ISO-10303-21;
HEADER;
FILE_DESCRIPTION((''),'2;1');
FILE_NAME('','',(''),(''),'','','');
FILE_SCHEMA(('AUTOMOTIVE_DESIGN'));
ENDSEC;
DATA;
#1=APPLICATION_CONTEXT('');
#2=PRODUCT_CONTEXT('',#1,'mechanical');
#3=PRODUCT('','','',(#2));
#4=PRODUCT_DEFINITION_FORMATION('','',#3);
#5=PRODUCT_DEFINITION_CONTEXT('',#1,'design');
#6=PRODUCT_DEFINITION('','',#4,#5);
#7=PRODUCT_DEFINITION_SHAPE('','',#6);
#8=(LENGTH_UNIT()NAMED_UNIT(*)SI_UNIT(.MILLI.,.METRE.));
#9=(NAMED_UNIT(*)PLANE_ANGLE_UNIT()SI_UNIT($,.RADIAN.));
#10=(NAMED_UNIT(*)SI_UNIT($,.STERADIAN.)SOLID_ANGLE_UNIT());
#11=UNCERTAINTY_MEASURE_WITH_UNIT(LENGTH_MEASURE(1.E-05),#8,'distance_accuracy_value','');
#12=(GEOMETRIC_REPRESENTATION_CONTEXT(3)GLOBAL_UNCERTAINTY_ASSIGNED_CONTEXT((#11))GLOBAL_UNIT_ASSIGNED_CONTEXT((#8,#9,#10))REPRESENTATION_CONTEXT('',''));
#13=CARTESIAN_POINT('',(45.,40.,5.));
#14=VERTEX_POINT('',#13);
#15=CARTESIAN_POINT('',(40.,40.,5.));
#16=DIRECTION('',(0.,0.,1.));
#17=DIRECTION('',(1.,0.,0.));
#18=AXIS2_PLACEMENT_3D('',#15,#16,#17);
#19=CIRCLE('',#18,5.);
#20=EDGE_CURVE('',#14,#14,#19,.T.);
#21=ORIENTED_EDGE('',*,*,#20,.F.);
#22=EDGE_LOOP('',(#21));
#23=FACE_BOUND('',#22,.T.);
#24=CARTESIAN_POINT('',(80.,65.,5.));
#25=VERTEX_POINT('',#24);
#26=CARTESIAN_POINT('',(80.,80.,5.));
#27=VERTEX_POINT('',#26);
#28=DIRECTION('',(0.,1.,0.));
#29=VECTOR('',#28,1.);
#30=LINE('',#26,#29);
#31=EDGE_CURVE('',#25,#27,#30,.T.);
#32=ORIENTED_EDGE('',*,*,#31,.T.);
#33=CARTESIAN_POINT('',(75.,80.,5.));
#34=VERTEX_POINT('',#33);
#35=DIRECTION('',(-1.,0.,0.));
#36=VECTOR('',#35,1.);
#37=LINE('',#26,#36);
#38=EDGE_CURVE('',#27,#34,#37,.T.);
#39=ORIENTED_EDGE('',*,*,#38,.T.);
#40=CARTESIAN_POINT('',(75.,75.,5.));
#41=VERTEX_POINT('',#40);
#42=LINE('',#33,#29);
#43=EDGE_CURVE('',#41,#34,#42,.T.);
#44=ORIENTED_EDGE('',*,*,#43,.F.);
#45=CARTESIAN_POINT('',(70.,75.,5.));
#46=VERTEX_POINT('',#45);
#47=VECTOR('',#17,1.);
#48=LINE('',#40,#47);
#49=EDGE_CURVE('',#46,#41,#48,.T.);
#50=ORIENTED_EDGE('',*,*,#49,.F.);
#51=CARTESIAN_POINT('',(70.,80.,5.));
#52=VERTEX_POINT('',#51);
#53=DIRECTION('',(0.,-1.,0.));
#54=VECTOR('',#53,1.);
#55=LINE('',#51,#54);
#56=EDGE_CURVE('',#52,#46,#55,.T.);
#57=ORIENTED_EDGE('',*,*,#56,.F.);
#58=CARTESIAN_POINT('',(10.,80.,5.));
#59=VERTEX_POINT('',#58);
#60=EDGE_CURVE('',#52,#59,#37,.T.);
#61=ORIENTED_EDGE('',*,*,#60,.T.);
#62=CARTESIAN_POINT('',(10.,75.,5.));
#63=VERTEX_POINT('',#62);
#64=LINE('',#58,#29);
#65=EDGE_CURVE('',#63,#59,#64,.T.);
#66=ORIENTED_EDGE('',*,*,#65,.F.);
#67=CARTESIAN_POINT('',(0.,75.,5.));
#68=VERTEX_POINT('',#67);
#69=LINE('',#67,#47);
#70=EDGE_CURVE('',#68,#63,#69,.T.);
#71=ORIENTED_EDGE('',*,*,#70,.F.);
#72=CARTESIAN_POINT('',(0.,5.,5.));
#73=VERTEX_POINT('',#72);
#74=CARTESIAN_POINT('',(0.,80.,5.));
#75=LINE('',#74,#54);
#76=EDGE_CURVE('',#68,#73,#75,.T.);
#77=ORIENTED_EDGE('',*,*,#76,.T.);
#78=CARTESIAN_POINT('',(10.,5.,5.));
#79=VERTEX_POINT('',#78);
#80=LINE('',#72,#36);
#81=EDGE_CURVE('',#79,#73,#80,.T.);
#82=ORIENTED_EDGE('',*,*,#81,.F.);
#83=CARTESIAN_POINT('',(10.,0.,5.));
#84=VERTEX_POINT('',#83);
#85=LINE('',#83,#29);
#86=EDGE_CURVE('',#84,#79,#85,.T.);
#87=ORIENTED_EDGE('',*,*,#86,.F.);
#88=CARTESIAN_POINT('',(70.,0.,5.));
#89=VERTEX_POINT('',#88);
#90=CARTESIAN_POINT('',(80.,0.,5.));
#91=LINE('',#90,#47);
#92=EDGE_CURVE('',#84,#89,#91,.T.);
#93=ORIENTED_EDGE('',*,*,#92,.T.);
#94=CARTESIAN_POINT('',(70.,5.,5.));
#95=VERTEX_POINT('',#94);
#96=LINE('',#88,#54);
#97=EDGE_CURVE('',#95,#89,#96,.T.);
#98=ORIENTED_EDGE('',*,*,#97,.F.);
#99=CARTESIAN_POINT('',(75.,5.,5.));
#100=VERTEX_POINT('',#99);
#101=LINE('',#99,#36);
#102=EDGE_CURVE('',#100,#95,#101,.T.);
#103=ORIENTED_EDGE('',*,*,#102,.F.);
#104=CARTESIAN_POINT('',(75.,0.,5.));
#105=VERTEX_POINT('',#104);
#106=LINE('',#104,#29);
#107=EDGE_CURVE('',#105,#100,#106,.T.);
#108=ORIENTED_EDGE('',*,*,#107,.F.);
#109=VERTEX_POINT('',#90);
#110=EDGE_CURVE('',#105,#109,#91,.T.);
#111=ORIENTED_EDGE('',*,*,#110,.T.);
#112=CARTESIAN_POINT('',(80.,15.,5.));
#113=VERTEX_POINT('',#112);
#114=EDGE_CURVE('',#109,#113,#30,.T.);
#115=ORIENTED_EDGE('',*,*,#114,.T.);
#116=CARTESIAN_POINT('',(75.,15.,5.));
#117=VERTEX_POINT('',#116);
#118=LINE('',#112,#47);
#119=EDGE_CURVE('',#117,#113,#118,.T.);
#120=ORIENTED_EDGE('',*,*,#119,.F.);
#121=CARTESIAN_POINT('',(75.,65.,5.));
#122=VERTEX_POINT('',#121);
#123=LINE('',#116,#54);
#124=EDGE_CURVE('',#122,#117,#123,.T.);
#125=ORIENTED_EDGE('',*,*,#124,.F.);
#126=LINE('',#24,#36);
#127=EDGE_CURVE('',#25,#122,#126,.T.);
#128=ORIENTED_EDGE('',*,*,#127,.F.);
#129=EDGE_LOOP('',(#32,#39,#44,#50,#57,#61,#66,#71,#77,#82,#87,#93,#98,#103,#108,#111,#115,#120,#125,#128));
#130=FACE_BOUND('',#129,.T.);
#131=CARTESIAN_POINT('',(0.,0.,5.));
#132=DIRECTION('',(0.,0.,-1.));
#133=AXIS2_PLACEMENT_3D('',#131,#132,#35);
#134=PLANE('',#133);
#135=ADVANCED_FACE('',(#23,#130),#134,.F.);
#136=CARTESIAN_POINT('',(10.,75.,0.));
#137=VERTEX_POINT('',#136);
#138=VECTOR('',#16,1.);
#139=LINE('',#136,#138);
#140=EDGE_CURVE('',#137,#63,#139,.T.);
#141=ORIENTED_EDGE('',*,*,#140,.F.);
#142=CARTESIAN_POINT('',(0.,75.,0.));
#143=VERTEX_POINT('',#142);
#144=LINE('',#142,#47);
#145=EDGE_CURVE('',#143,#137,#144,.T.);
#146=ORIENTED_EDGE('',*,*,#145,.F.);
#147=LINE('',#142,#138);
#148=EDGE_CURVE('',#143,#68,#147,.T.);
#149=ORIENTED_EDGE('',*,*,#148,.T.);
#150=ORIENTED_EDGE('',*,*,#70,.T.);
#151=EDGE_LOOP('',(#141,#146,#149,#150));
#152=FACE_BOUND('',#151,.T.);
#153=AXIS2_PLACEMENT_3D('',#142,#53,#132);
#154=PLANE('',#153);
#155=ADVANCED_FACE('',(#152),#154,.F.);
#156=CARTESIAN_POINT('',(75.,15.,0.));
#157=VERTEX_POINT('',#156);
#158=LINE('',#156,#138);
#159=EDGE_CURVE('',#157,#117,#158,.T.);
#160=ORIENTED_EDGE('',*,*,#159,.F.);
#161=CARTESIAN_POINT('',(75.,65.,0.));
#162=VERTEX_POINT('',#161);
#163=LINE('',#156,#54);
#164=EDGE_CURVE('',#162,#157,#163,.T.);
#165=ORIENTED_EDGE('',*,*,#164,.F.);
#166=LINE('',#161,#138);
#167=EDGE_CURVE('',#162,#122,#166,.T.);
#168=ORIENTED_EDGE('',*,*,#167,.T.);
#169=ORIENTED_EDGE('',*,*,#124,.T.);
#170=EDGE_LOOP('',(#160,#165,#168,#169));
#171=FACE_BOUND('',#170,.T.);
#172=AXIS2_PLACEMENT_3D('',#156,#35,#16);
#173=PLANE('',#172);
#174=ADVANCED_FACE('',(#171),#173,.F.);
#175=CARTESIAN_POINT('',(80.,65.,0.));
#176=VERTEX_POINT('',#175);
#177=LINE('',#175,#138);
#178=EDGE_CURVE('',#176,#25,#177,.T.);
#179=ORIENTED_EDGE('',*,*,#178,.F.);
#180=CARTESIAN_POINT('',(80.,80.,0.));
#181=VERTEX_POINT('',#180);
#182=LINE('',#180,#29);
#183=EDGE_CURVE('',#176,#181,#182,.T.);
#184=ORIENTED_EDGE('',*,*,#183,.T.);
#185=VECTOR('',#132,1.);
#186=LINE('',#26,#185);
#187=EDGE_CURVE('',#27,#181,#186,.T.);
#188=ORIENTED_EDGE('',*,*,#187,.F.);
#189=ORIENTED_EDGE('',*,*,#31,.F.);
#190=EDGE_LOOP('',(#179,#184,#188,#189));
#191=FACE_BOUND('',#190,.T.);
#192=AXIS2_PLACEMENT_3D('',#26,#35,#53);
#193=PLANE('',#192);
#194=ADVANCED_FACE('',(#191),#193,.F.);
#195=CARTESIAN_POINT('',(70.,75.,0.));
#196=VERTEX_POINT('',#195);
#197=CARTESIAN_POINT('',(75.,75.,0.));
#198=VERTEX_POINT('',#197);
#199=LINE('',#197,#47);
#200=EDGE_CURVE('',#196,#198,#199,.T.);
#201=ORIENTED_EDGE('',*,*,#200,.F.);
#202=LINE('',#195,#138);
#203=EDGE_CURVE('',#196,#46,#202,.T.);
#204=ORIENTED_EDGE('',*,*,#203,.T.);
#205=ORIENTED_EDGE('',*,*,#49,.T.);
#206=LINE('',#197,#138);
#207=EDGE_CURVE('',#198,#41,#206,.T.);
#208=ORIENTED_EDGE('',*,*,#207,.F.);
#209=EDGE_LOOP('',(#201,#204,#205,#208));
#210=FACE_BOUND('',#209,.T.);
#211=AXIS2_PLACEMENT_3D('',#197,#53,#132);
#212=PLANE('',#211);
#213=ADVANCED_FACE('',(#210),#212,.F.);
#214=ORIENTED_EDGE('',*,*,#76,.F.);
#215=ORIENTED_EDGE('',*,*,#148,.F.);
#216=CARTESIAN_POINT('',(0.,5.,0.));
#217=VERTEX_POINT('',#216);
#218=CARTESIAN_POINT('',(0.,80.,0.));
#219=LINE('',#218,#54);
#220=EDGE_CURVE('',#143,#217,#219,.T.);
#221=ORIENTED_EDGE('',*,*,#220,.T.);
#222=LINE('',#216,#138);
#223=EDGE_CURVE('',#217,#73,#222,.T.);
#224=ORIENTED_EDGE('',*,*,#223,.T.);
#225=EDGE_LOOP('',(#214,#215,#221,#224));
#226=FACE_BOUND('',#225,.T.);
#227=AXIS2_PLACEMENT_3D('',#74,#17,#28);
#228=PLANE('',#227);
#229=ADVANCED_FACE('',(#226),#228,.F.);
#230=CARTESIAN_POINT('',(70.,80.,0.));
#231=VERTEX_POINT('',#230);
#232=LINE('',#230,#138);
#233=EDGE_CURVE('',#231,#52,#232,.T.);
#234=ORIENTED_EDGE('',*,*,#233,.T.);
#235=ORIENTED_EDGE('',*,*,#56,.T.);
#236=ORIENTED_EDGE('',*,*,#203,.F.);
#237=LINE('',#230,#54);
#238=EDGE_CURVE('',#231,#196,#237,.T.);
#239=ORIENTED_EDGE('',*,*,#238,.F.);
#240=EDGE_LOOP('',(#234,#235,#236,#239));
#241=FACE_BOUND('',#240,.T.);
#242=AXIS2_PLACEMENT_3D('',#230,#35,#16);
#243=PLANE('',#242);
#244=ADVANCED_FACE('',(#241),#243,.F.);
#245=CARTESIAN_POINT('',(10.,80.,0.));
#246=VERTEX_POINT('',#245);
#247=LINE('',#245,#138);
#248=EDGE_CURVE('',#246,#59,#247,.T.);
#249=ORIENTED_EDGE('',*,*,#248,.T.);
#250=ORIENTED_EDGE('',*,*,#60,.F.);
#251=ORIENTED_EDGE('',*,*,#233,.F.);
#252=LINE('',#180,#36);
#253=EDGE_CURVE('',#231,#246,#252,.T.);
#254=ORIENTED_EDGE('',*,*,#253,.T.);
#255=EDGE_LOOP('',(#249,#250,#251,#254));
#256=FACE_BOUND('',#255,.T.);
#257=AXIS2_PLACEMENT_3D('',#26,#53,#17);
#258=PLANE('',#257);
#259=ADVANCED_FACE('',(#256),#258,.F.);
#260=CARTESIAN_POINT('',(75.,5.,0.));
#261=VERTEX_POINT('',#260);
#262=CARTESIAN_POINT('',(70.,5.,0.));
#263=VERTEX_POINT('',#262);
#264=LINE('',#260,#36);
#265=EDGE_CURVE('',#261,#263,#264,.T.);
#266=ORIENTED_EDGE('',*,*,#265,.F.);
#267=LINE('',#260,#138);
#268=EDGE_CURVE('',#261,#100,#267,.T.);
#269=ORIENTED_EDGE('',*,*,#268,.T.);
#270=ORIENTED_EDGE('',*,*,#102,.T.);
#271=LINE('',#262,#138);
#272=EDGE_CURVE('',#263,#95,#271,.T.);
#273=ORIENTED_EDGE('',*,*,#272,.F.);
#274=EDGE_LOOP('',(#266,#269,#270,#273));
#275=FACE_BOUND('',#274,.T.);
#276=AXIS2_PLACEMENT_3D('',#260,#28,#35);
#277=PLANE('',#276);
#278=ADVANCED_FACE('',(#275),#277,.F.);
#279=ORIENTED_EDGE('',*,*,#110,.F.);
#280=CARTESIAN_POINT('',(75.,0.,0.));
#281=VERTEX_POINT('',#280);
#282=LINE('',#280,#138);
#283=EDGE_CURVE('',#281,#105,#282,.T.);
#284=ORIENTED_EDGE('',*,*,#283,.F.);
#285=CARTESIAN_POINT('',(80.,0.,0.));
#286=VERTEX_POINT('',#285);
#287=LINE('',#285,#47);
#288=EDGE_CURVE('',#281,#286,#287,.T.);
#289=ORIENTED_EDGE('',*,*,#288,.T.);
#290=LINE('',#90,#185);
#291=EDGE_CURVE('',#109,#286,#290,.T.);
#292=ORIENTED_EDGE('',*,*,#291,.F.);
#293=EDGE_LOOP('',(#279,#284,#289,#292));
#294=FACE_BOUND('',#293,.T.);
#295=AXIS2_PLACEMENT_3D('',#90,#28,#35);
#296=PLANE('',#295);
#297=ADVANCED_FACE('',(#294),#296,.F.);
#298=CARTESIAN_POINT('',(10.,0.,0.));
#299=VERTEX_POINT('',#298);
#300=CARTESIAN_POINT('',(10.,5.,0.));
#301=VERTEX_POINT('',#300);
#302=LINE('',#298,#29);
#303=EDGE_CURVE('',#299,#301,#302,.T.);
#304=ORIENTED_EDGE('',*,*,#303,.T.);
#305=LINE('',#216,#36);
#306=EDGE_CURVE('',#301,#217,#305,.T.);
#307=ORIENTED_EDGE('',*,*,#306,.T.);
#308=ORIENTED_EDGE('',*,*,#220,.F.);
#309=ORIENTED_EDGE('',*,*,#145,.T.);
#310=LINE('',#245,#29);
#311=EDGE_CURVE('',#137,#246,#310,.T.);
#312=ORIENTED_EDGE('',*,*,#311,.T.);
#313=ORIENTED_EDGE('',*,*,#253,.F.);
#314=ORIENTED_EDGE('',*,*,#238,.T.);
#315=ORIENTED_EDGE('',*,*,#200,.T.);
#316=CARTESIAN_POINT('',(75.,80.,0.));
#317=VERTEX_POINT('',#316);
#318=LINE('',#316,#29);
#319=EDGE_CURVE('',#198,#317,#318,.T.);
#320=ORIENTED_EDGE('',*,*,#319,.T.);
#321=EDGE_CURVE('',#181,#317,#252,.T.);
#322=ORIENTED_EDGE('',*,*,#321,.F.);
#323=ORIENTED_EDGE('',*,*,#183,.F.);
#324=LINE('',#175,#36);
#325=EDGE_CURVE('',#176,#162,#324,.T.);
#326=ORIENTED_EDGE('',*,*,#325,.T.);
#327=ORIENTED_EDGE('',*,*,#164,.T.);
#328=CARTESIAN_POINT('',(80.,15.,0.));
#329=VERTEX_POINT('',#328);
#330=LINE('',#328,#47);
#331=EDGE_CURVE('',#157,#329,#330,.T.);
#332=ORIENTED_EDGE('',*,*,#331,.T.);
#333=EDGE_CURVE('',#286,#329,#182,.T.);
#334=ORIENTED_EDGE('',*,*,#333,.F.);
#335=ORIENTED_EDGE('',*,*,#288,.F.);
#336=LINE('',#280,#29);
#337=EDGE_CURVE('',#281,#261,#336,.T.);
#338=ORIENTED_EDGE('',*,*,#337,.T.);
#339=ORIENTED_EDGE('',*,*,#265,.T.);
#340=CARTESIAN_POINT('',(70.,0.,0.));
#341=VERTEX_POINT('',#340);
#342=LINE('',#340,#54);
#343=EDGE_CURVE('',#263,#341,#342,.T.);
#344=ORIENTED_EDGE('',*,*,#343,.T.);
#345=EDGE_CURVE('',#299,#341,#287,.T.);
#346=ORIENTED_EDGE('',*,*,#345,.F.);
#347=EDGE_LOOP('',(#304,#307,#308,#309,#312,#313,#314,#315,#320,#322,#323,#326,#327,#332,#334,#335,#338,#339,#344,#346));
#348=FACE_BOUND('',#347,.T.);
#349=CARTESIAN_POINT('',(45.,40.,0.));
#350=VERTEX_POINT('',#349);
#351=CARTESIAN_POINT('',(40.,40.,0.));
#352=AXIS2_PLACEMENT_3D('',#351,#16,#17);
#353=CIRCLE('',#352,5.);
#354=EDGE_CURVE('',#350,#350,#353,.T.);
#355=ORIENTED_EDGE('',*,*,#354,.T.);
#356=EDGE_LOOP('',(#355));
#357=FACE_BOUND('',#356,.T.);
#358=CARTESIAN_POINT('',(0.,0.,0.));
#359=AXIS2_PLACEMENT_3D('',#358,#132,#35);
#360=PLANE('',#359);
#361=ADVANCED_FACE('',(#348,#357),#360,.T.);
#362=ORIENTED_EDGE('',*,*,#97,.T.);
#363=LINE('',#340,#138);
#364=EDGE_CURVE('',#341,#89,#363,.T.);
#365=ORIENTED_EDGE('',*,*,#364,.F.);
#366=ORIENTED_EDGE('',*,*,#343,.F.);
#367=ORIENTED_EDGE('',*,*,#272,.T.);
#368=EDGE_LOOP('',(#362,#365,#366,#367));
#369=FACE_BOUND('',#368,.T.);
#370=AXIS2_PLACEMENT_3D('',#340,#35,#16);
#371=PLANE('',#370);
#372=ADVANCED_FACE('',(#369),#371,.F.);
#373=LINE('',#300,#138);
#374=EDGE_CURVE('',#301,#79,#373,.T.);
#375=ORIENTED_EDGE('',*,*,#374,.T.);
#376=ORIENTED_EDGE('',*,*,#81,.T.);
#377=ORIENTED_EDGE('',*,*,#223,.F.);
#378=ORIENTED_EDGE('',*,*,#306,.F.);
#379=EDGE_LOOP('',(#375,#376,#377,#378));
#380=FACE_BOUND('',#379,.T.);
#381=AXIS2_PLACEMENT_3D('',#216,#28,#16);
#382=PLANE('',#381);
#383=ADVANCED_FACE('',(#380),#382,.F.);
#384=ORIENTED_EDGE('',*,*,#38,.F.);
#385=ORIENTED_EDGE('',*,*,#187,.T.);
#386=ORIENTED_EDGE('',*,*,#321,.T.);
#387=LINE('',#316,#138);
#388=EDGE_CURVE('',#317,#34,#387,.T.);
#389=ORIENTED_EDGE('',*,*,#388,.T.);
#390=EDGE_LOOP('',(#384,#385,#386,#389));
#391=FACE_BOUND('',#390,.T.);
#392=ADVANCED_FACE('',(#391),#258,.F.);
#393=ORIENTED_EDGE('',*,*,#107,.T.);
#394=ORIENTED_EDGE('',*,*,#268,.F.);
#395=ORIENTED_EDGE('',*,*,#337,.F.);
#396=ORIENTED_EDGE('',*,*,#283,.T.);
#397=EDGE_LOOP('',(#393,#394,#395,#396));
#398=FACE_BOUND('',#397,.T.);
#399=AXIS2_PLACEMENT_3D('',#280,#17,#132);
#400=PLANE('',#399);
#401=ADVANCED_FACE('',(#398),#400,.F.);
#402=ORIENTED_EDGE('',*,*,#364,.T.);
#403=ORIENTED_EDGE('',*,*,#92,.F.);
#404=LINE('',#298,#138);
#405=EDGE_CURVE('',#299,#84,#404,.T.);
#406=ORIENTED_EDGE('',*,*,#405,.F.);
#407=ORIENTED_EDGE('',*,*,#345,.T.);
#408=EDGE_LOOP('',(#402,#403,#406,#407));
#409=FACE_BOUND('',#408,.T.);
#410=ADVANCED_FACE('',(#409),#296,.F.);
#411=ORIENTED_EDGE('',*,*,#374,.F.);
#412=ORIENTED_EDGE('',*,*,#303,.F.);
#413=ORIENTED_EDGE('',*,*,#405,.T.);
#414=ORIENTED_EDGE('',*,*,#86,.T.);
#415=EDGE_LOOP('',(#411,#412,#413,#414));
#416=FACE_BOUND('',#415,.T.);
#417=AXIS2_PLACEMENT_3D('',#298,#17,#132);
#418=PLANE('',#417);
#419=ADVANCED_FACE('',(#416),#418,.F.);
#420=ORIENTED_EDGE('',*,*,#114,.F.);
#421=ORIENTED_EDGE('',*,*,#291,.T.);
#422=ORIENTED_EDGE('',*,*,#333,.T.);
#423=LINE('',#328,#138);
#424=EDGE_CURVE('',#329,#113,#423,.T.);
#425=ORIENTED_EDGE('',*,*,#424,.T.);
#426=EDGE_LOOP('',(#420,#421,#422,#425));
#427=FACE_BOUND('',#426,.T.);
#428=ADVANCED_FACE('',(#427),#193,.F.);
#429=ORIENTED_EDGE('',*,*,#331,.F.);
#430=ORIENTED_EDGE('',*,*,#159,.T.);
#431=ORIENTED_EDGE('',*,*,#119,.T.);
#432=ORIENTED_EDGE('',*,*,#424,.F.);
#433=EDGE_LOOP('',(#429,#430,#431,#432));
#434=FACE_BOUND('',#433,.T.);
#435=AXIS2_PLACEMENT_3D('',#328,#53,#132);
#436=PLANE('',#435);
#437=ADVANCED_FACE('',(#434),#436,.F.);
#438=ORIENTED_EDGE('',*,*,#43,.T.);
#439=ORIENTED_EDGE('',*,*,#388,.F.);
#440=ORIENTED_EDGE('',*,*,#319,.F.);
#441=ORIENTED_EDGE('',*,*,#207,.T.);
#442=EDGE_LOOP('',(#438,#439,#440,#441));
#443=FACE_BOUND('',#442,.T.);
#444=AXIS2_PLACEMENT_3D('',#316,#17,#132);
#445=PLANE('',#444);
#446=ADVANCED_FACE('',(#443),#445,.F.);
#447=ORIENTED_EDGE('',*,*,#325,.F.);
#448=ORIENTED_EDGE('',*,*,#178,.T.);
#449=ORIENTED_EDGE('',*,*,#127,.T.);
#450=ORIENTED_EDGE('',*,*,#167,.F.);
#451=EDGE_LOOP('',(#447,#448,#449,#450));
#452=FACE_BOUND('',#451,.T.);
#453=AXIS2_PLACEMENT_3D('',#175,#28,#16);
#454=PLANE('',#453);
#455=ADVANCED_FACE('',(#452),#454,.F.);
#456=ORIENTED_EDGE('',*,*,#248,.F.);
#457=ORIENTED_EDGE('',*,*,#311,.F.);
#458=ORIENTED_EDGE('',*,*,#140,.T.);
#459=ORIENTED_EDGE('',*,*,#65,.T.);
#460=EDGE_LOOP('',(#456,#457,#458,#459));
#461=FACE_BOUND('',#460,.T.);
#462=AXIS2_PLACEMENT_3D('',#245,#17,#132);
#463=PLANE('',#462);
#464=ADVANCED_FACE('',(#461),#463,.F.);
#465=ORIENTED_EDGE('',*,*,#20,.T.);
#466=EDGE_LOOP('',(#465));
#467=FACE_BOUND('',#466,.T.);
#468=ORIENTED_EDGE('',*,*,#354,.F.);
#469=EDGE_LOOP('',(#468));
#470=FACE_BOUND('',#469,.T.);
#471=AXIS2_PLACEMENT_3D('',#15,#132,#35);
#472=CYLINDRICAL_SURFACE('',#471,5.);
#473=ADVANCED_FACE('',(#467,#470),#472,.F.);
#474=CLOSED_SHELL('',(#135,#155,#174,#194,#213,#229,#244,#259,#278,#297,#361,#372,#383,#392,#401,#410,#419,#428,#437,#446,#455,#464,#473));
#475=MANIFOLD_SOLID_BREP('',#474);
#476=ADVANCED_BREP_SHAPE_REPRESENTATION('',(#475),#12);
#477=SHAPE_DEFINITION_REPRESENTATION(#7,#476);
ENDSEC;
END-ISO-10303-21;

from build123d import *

# Parameters (mm, degrees)
ESQUISSE1_W        = 80
ESQUISSE1_H        = 80
ESQUISSE1_R        = 5
BOSS_EXTRU_1_DEPTH = 5
ESQUISSE2_W        = 10
ESQUISSE2_H        = 5
ESQUISSE2_W_2      = 5
ESQUISSE2_H_2      = 50
CR_NEAUX_DEPTH     = 5


with BuildPart() as part:
    # Esquisse1 → Boss.-Extru.1 (new body)
    with BuildSketch(Plane.XY):
        with Locations((40, 40)):
            Rectangle(ESQUISSE1_W, ESQUISSE1_H)
        with Locations((40, 40)):
            Circle(ESQUISSE1_R, mode=Mode.SUBTRACT)
    extrude(amount=BOSS_EXTRU_1_DEPTH)

    # Esquisse2 → Créneaux - (cut)
    with BuildSketch(Plane.XY.offset(5)):
        with Locations((5, 2.5)):
            Rectangle(ESQUISSE2_W, ESQUISSE2_H)
        with Locations((5, 77.5)):
            Rectangle(ESQUISSE2_W, ESQUISSE2_H)
        with Locations((77.5, 40)):
            Rectangle(ESQUISSE2_W_2, ESQUISSE2_H_2)
        with Locations((72.5, 77.5)):
            Rectangle(ESQUISSE2_W_2, ESQUISSE2_H)
        with Locations((72.5, 2.5)):
            Rectangle(ESQUISSE2_W_2, ESQUISSE2_H)
    extrude(amount=-CR_NEAUX_DEPTH, mode=Mode.SUBTRACT)


solid = part.part
